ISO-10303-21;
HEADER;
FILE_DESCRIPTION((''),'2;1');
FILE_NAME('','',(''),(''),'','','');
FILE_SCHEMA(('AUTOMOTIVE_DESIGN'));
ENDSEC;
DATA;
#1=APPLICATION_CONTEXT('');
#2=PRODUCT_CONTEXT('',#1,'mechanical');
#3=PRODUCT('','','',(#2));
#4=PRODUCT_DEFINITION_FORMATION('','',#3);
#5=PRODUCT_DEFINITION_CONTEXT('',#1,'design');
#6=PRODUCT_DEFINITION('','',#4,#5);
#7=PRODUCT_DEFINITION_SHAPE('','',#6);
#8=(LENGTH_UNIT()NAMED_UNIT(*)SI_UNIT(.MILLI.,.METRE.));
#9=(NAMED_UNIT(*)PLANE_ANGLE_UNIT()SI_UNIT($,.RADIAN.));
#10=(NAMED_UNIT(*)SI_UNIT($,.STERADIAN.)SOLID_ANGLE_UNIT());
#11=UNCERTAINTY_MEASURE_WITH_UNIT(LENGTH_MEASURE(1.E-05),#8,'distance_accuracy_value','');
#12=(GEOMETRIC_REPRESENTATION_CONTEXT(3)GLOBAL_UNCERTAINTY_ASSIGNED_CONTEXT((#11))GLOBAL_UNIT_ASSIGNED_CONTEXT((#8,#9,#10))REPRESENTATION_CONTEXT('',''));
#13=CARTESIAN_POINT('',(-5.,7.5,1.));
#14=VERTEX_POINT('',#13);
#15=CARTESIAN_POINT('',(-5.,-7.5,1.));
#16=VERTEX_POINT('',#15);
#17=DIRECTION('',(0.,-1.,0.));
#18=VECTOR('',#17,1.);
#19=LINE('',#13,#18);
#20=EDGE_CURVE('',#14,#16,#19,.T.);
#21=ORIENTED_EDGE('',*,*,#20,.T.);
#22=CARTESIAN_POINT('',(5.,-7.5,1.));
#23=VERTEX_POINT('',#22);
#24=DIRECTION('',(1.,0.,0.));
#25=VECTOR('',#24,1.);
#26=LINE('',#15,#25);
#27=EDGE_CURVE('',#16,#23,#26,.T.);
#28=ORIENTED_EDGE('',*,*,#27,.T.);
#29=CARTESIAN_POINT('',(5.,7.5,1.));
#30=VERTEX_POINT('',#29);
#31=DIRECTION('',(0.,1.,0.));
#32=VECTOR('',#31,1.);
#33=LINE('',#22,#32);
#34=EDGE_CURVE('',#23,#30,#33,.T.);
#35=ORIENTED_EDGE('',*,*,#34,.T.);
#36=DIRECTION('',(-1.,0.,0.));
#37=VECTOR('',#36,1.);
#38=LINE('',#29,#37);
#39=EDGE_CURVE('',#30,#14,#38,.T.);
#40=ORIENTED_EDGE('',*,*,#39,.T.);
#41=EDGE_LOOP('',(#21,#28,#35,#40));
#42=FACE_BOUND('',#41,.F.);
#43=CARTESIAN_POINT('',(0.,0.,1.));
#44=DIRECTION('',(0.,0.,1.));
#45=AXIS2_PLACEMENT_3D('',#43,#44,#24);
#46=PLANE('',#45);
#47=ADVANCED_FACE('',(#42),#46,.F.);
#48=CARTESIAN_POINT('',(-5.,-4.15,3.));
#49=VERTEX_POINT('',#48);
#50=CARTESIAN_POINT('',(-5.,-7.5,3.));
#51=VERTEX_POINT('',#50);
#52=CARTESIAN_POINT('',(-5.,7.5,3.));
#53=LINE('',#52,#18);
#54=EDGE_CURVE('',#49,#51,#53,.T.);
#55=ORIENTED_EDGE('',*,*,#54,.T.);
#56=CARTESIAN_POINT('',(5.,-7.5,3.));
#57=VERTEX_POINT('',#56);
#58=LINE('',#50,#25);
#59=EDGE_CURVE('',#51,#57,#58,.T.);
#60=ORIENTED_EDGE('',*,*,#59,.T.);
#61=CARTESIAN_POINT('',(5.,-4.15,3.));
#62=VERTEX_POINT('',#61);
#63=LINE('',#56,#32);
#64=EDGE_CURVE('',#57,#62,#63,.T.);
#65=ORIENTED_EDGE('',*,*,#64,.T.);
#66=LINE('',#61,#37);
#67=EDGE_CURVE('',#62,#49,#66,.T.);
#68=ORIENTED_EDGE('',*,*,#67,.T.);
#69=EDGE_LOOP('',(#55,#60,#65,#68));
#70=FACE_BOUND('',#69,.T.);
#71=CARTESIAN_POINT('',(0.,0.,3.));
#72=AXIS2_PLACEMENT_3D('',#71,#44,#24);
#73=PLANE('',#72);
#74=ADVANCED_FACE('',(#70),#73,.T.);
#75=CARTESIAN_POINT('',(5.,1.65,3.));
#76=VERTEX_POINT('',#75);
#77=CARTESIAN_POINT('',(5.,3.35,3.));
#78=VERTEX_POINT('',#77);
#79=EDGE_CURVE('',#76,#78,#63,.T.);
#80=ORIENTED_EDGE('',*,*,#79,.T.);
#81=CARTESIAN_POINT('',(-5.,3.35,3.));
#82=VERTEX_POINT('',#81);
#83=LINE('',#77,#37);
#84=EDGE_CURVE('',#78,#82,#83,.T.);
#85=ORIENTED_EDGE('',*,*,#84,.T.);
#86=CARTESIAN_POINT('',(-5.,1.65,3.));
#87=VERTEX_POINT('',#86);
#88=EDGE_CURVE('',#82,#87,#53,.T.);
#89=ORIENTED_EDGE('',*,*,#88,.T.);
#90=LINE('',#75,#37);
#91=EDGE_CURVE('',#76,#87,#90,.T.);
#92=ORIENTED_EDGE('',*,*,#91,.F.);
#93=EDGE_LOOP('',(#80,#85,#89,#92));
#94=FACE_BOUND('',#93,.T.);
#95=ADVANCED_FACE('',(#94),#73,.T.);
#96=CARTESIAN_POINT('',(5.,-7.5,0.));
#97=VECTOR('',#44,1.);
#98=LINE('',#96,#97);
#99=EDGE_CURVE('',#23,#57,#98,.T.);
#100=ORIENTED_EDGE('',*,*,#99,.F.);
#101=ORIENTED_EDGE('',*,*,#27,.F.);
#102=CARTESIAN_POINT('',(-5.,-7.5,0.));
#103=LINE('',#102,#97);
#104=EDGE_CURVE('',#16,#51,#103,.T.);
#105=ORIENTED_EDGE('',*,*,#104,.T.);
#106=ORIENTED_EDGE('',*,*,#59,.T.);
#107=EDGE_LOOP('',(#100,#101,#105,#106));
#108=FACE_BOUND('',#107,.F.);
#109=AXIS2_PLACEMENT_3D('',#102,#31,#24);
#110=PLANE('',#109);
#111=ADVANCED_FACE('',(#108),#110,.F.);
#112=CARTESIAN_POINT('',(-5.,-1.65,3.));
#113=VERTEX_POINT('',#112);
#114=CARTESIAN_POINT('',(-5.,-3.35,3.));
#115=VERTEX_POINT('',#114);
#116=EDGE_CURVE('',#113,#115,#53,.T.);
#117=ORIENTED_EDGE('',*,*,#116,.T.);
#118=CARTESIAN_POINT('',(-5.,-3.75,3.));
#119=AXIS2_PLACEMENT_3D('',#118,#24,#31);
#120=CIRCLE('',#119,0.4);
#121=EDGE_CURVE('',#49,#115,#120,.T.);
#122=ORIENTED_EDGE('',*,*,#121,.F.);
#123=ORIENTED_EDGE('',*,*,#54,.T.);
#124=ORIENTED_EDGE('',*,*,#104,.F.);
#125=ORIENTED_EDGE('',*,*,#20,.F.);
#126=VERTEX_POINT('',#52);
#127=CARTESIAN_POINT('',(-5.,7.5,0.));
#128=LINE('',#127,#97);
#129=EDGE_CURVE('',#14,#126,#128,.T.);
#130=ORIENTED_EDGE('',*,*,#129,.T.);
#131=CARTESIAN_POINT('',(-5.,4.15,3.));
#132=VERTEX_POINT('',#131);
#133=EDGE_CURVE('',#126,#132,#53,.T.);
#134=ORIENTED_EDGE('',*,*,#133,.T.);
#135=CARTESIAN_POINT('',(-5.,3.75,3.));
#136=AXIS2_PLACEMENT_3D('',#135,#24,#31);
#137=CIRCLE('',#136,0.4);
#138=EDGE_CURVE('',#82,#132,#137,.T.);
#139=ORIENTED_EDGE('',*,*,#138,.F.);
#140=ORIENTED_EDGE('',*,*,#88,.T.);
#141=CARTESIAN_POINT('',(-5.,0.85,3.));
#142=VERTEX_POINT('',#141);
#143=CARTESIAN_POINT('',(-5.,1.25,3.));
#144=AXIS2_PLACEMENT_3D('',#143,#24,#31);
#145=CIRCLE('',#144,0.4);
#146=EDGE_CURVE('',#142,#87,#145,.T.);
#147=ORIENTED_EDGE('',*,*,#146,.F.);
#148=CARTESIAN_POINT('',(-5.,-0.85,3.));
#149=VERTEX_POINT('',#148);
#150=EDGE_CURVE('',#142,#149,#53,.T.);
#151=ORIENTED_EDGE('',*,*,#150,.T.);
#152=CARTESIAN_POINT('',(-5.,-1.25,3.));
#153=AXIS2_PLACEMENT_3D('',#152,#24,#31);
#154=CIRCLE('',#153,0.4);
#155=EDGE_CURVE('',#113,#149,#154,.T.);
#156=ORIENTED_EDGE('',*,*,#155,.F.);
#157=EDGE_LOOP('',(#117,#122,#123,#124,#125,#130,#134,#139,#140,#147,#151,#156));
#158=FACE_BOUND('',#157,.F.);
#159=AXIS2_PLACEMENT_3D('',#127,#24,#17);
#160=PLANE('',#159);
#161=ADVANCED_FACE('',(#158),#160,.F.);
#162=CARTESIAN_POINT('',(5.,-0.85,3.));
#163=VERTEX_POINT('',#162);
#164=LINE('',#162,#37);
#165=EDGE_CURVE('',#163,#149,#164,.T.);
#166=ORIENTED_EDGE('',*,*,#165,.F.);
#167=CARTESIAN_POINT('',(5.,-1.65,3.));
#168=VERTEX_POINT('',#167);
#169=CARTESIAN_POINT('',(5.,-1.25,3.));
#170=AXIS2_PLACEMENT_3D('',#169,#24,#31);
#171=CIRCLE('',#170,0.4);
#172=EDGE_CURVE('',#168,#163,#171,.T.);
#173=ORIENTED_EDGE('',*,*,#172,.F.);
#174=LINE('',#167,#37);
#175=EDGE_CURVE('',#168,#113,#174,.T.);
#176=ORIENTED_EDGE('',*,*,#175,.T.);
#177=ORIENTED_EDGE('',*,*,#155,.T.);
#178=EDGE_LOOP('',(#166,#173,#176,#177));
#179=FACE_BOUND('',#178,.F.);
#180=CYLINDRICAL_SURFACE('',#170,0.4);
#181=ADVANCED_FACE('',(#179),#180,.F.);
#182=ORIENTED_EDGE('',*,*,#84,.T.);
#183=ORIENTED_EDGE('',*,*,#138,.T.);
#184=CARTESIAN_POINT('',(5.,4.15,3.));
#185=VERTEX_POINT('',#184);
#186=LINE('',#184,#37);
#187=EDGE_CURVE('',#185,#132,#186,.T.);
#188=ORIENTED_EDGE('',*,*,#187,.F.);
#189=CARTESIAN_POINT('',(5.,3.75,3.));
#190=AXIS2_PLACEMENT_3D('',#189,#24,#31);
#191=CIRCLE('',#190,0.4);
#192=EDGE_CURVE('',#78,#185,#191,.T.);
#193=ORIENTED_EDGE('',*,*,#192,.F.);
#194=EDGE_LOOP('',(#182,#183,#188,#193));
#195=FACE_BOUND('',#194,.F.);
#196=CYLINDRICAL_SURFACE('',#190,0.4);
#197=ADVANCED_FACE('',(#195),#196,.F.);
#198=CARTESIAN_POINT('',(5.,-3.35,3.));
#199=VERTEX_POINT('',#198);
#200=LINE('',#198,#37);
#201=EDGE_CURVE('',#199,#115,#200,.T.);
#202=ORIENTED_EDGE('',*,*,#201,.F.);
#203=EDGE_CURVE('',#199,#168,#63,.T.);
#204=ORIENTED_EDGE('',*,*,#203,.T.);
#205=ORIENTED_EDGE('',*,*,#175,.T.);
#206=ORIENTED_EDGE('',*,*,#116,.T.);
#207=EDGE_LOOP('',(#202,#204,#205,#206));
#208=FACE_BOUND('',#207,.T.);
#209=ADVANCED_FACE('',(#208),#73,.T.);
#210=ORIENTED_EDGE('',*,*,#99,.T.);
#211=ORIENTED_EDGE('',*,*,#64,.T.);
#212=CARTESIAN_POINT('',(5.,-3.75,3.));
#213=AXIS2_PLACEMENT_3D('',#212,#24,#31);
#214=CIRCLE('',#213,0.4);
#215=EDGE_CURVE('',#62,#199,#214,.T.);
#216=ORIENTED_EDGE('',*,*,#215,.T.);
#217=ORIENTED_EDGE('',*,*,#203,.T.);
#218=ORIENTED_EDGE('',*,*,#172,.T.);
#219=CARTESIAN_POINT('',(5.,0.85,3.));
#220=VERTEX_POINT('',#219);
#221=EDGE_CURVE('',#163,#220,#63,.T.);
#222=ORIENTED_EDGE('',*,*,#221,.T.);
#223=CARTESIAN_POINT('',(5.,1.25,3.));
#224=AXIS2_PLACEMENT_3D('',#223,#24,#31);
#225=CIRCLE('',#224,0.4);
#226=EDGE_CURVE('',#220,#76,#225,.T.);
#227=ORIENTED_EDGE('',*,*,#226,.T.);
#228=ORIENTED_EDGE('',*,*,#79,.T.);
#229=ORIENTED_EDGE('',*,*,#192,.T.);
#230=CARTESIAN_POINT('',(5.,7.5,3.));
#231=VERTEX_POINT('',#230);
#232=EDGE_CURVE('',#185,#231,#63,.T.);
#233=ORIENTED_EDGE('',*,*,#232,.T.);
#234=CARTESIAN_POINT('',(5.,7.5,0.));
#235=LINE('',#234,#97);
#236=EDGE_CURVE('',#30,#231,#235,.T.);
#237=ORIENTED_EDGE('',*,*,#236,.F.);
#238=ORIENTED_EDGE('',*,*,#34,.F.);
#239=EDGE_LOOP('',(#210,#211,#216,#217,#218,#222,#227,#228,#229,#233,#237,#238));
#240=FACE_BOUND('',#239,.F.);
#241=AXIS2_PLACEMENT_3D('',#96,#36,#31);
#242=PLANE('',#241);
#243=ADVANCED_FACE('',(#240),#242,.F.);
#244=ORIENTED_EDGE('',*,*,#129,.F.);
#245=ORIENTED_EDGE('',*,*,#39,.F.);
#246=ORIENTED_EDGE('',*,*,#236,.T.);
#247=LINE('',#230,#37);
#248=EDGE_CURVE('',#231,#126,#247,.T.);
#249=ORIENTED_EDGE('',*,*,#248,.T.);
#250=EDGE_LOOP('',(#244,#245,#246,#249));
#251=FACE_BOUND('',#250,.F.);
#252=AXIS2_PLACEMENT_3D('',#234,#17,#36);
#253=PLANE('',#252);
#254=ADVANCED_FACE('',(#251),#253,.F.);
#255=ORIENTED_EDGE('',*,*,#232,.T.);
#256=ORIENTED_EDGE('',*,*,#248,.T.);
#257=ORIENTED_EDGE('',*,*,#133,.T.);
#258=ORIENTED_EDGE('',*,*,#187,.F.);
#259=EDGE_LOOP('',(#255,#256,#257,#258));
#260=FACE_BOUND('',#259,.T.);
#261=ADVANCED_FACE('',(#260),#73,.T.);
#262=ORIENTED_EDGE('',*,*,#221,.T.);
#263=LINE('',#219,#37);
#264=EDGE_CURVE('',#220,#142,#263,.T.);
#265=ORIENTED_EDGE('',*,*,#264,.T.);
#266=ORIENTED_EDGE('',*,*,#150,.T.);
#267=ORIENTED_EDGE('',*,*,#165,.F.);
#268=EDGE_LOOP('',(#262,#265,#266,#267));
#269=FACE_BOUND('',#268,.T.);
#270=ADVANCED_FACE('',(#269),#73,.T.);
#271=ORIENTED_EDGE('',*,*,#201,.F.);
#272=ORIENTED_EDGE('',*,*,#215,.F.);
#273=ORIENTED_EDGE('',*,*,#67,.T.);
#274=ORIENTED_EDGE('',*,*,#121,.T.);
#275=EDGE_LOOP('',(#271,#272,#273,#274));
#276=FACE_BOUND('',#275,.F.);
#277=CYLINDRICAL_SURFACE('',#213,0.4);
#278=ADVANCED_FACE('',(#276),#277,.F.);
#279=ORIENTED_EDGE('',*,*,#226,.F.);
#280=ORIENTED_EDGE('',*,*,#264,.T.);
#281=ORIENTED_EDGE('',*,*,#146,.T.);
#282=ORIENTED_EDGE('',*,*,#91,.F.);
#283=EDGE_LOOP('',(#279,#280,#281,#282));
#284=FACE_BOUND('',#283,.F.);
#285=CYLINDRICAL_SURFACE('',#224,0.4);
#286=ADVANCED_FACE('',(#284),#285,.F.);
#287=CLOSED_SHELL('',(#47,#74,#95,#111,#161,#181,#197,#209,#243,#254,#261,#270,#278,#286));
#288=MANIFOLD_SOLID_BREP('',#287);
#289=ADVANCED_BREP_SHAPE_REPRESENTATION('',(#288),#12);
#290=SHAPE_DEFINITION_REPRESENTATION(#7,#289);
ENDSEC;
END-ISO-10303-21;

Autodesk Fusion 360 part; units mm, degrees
sketch "Sketch1" plane through (0, 0, 0) normal (0, 0, 1) x (1, 0, 0)
  line L0 (5, 7.5) -> (-5, 7.5)
  line L1 (-5, 7.5) -> (-5, -7.5)
  line L2 (-5, -7.5) -> (5, -7.5)
  line L3 (5, -7.5) -> (5, 7.5)
  line L4 (5, 7.5) -> (-5, -7.5) construction
  line L5 (-5, 7.5) -> (5, -7.5) construction
  dimension "d1" = 10
  dimension "d2" = 15
extrude "Extrude1" add sketch "Sketch1" along normal blind 3
sketch "Sketch2" plane through (5, 0, 0) normal (1, 0, 0) x (0, 1, 0)
  line L0 (-7.5, 0) -> (7.5, 0)
  line L1 (7.5, 0) -> (7.5, 3)
  line L2 (7.5, 3) -> (-7.5, 3)
  line L3 (-7.5, 3) -> (-7.5, 0)
  line L4 (0, 3) -> (5, 3) construction
  line L5 (5, 3) -> (3.75, 3) construction
  circle A0 centre (3.75, 3) radius 0.4
  line L6 (3.75, 3) -> (1.25, 3) construction
  circle A1 centre (1.25, 3) radius 0.4
  line L7 (0, 3) -> (0, 3.8715) construction
  circle A2 centre (-3.75, 3) radius 0.4
  circle A3 centre (-1.25, 3) radius 0.4
  dimension "d5" = 5
  dimension "d6" = 1.25
  dimension "d7" = 0.8
  dimension "d8" = 2.5
  dimension "d9" = 0.8
extrude "Extrude2" cut sketch "Sketch2" against normal blind 15 contours L2 A2 | L2 A0 | L2 A3 | L2 A1 picked at (-3.8463, 2.8894) picked at (3.8833, 2.7915) picked at (-1.1781, 2.8008) picked at (1.1833, 2.8845)
extrude "Extrude3" cut 1 faces at (-1.6667, 2.5, 0) along direction (0, 0, 1) blind 1
